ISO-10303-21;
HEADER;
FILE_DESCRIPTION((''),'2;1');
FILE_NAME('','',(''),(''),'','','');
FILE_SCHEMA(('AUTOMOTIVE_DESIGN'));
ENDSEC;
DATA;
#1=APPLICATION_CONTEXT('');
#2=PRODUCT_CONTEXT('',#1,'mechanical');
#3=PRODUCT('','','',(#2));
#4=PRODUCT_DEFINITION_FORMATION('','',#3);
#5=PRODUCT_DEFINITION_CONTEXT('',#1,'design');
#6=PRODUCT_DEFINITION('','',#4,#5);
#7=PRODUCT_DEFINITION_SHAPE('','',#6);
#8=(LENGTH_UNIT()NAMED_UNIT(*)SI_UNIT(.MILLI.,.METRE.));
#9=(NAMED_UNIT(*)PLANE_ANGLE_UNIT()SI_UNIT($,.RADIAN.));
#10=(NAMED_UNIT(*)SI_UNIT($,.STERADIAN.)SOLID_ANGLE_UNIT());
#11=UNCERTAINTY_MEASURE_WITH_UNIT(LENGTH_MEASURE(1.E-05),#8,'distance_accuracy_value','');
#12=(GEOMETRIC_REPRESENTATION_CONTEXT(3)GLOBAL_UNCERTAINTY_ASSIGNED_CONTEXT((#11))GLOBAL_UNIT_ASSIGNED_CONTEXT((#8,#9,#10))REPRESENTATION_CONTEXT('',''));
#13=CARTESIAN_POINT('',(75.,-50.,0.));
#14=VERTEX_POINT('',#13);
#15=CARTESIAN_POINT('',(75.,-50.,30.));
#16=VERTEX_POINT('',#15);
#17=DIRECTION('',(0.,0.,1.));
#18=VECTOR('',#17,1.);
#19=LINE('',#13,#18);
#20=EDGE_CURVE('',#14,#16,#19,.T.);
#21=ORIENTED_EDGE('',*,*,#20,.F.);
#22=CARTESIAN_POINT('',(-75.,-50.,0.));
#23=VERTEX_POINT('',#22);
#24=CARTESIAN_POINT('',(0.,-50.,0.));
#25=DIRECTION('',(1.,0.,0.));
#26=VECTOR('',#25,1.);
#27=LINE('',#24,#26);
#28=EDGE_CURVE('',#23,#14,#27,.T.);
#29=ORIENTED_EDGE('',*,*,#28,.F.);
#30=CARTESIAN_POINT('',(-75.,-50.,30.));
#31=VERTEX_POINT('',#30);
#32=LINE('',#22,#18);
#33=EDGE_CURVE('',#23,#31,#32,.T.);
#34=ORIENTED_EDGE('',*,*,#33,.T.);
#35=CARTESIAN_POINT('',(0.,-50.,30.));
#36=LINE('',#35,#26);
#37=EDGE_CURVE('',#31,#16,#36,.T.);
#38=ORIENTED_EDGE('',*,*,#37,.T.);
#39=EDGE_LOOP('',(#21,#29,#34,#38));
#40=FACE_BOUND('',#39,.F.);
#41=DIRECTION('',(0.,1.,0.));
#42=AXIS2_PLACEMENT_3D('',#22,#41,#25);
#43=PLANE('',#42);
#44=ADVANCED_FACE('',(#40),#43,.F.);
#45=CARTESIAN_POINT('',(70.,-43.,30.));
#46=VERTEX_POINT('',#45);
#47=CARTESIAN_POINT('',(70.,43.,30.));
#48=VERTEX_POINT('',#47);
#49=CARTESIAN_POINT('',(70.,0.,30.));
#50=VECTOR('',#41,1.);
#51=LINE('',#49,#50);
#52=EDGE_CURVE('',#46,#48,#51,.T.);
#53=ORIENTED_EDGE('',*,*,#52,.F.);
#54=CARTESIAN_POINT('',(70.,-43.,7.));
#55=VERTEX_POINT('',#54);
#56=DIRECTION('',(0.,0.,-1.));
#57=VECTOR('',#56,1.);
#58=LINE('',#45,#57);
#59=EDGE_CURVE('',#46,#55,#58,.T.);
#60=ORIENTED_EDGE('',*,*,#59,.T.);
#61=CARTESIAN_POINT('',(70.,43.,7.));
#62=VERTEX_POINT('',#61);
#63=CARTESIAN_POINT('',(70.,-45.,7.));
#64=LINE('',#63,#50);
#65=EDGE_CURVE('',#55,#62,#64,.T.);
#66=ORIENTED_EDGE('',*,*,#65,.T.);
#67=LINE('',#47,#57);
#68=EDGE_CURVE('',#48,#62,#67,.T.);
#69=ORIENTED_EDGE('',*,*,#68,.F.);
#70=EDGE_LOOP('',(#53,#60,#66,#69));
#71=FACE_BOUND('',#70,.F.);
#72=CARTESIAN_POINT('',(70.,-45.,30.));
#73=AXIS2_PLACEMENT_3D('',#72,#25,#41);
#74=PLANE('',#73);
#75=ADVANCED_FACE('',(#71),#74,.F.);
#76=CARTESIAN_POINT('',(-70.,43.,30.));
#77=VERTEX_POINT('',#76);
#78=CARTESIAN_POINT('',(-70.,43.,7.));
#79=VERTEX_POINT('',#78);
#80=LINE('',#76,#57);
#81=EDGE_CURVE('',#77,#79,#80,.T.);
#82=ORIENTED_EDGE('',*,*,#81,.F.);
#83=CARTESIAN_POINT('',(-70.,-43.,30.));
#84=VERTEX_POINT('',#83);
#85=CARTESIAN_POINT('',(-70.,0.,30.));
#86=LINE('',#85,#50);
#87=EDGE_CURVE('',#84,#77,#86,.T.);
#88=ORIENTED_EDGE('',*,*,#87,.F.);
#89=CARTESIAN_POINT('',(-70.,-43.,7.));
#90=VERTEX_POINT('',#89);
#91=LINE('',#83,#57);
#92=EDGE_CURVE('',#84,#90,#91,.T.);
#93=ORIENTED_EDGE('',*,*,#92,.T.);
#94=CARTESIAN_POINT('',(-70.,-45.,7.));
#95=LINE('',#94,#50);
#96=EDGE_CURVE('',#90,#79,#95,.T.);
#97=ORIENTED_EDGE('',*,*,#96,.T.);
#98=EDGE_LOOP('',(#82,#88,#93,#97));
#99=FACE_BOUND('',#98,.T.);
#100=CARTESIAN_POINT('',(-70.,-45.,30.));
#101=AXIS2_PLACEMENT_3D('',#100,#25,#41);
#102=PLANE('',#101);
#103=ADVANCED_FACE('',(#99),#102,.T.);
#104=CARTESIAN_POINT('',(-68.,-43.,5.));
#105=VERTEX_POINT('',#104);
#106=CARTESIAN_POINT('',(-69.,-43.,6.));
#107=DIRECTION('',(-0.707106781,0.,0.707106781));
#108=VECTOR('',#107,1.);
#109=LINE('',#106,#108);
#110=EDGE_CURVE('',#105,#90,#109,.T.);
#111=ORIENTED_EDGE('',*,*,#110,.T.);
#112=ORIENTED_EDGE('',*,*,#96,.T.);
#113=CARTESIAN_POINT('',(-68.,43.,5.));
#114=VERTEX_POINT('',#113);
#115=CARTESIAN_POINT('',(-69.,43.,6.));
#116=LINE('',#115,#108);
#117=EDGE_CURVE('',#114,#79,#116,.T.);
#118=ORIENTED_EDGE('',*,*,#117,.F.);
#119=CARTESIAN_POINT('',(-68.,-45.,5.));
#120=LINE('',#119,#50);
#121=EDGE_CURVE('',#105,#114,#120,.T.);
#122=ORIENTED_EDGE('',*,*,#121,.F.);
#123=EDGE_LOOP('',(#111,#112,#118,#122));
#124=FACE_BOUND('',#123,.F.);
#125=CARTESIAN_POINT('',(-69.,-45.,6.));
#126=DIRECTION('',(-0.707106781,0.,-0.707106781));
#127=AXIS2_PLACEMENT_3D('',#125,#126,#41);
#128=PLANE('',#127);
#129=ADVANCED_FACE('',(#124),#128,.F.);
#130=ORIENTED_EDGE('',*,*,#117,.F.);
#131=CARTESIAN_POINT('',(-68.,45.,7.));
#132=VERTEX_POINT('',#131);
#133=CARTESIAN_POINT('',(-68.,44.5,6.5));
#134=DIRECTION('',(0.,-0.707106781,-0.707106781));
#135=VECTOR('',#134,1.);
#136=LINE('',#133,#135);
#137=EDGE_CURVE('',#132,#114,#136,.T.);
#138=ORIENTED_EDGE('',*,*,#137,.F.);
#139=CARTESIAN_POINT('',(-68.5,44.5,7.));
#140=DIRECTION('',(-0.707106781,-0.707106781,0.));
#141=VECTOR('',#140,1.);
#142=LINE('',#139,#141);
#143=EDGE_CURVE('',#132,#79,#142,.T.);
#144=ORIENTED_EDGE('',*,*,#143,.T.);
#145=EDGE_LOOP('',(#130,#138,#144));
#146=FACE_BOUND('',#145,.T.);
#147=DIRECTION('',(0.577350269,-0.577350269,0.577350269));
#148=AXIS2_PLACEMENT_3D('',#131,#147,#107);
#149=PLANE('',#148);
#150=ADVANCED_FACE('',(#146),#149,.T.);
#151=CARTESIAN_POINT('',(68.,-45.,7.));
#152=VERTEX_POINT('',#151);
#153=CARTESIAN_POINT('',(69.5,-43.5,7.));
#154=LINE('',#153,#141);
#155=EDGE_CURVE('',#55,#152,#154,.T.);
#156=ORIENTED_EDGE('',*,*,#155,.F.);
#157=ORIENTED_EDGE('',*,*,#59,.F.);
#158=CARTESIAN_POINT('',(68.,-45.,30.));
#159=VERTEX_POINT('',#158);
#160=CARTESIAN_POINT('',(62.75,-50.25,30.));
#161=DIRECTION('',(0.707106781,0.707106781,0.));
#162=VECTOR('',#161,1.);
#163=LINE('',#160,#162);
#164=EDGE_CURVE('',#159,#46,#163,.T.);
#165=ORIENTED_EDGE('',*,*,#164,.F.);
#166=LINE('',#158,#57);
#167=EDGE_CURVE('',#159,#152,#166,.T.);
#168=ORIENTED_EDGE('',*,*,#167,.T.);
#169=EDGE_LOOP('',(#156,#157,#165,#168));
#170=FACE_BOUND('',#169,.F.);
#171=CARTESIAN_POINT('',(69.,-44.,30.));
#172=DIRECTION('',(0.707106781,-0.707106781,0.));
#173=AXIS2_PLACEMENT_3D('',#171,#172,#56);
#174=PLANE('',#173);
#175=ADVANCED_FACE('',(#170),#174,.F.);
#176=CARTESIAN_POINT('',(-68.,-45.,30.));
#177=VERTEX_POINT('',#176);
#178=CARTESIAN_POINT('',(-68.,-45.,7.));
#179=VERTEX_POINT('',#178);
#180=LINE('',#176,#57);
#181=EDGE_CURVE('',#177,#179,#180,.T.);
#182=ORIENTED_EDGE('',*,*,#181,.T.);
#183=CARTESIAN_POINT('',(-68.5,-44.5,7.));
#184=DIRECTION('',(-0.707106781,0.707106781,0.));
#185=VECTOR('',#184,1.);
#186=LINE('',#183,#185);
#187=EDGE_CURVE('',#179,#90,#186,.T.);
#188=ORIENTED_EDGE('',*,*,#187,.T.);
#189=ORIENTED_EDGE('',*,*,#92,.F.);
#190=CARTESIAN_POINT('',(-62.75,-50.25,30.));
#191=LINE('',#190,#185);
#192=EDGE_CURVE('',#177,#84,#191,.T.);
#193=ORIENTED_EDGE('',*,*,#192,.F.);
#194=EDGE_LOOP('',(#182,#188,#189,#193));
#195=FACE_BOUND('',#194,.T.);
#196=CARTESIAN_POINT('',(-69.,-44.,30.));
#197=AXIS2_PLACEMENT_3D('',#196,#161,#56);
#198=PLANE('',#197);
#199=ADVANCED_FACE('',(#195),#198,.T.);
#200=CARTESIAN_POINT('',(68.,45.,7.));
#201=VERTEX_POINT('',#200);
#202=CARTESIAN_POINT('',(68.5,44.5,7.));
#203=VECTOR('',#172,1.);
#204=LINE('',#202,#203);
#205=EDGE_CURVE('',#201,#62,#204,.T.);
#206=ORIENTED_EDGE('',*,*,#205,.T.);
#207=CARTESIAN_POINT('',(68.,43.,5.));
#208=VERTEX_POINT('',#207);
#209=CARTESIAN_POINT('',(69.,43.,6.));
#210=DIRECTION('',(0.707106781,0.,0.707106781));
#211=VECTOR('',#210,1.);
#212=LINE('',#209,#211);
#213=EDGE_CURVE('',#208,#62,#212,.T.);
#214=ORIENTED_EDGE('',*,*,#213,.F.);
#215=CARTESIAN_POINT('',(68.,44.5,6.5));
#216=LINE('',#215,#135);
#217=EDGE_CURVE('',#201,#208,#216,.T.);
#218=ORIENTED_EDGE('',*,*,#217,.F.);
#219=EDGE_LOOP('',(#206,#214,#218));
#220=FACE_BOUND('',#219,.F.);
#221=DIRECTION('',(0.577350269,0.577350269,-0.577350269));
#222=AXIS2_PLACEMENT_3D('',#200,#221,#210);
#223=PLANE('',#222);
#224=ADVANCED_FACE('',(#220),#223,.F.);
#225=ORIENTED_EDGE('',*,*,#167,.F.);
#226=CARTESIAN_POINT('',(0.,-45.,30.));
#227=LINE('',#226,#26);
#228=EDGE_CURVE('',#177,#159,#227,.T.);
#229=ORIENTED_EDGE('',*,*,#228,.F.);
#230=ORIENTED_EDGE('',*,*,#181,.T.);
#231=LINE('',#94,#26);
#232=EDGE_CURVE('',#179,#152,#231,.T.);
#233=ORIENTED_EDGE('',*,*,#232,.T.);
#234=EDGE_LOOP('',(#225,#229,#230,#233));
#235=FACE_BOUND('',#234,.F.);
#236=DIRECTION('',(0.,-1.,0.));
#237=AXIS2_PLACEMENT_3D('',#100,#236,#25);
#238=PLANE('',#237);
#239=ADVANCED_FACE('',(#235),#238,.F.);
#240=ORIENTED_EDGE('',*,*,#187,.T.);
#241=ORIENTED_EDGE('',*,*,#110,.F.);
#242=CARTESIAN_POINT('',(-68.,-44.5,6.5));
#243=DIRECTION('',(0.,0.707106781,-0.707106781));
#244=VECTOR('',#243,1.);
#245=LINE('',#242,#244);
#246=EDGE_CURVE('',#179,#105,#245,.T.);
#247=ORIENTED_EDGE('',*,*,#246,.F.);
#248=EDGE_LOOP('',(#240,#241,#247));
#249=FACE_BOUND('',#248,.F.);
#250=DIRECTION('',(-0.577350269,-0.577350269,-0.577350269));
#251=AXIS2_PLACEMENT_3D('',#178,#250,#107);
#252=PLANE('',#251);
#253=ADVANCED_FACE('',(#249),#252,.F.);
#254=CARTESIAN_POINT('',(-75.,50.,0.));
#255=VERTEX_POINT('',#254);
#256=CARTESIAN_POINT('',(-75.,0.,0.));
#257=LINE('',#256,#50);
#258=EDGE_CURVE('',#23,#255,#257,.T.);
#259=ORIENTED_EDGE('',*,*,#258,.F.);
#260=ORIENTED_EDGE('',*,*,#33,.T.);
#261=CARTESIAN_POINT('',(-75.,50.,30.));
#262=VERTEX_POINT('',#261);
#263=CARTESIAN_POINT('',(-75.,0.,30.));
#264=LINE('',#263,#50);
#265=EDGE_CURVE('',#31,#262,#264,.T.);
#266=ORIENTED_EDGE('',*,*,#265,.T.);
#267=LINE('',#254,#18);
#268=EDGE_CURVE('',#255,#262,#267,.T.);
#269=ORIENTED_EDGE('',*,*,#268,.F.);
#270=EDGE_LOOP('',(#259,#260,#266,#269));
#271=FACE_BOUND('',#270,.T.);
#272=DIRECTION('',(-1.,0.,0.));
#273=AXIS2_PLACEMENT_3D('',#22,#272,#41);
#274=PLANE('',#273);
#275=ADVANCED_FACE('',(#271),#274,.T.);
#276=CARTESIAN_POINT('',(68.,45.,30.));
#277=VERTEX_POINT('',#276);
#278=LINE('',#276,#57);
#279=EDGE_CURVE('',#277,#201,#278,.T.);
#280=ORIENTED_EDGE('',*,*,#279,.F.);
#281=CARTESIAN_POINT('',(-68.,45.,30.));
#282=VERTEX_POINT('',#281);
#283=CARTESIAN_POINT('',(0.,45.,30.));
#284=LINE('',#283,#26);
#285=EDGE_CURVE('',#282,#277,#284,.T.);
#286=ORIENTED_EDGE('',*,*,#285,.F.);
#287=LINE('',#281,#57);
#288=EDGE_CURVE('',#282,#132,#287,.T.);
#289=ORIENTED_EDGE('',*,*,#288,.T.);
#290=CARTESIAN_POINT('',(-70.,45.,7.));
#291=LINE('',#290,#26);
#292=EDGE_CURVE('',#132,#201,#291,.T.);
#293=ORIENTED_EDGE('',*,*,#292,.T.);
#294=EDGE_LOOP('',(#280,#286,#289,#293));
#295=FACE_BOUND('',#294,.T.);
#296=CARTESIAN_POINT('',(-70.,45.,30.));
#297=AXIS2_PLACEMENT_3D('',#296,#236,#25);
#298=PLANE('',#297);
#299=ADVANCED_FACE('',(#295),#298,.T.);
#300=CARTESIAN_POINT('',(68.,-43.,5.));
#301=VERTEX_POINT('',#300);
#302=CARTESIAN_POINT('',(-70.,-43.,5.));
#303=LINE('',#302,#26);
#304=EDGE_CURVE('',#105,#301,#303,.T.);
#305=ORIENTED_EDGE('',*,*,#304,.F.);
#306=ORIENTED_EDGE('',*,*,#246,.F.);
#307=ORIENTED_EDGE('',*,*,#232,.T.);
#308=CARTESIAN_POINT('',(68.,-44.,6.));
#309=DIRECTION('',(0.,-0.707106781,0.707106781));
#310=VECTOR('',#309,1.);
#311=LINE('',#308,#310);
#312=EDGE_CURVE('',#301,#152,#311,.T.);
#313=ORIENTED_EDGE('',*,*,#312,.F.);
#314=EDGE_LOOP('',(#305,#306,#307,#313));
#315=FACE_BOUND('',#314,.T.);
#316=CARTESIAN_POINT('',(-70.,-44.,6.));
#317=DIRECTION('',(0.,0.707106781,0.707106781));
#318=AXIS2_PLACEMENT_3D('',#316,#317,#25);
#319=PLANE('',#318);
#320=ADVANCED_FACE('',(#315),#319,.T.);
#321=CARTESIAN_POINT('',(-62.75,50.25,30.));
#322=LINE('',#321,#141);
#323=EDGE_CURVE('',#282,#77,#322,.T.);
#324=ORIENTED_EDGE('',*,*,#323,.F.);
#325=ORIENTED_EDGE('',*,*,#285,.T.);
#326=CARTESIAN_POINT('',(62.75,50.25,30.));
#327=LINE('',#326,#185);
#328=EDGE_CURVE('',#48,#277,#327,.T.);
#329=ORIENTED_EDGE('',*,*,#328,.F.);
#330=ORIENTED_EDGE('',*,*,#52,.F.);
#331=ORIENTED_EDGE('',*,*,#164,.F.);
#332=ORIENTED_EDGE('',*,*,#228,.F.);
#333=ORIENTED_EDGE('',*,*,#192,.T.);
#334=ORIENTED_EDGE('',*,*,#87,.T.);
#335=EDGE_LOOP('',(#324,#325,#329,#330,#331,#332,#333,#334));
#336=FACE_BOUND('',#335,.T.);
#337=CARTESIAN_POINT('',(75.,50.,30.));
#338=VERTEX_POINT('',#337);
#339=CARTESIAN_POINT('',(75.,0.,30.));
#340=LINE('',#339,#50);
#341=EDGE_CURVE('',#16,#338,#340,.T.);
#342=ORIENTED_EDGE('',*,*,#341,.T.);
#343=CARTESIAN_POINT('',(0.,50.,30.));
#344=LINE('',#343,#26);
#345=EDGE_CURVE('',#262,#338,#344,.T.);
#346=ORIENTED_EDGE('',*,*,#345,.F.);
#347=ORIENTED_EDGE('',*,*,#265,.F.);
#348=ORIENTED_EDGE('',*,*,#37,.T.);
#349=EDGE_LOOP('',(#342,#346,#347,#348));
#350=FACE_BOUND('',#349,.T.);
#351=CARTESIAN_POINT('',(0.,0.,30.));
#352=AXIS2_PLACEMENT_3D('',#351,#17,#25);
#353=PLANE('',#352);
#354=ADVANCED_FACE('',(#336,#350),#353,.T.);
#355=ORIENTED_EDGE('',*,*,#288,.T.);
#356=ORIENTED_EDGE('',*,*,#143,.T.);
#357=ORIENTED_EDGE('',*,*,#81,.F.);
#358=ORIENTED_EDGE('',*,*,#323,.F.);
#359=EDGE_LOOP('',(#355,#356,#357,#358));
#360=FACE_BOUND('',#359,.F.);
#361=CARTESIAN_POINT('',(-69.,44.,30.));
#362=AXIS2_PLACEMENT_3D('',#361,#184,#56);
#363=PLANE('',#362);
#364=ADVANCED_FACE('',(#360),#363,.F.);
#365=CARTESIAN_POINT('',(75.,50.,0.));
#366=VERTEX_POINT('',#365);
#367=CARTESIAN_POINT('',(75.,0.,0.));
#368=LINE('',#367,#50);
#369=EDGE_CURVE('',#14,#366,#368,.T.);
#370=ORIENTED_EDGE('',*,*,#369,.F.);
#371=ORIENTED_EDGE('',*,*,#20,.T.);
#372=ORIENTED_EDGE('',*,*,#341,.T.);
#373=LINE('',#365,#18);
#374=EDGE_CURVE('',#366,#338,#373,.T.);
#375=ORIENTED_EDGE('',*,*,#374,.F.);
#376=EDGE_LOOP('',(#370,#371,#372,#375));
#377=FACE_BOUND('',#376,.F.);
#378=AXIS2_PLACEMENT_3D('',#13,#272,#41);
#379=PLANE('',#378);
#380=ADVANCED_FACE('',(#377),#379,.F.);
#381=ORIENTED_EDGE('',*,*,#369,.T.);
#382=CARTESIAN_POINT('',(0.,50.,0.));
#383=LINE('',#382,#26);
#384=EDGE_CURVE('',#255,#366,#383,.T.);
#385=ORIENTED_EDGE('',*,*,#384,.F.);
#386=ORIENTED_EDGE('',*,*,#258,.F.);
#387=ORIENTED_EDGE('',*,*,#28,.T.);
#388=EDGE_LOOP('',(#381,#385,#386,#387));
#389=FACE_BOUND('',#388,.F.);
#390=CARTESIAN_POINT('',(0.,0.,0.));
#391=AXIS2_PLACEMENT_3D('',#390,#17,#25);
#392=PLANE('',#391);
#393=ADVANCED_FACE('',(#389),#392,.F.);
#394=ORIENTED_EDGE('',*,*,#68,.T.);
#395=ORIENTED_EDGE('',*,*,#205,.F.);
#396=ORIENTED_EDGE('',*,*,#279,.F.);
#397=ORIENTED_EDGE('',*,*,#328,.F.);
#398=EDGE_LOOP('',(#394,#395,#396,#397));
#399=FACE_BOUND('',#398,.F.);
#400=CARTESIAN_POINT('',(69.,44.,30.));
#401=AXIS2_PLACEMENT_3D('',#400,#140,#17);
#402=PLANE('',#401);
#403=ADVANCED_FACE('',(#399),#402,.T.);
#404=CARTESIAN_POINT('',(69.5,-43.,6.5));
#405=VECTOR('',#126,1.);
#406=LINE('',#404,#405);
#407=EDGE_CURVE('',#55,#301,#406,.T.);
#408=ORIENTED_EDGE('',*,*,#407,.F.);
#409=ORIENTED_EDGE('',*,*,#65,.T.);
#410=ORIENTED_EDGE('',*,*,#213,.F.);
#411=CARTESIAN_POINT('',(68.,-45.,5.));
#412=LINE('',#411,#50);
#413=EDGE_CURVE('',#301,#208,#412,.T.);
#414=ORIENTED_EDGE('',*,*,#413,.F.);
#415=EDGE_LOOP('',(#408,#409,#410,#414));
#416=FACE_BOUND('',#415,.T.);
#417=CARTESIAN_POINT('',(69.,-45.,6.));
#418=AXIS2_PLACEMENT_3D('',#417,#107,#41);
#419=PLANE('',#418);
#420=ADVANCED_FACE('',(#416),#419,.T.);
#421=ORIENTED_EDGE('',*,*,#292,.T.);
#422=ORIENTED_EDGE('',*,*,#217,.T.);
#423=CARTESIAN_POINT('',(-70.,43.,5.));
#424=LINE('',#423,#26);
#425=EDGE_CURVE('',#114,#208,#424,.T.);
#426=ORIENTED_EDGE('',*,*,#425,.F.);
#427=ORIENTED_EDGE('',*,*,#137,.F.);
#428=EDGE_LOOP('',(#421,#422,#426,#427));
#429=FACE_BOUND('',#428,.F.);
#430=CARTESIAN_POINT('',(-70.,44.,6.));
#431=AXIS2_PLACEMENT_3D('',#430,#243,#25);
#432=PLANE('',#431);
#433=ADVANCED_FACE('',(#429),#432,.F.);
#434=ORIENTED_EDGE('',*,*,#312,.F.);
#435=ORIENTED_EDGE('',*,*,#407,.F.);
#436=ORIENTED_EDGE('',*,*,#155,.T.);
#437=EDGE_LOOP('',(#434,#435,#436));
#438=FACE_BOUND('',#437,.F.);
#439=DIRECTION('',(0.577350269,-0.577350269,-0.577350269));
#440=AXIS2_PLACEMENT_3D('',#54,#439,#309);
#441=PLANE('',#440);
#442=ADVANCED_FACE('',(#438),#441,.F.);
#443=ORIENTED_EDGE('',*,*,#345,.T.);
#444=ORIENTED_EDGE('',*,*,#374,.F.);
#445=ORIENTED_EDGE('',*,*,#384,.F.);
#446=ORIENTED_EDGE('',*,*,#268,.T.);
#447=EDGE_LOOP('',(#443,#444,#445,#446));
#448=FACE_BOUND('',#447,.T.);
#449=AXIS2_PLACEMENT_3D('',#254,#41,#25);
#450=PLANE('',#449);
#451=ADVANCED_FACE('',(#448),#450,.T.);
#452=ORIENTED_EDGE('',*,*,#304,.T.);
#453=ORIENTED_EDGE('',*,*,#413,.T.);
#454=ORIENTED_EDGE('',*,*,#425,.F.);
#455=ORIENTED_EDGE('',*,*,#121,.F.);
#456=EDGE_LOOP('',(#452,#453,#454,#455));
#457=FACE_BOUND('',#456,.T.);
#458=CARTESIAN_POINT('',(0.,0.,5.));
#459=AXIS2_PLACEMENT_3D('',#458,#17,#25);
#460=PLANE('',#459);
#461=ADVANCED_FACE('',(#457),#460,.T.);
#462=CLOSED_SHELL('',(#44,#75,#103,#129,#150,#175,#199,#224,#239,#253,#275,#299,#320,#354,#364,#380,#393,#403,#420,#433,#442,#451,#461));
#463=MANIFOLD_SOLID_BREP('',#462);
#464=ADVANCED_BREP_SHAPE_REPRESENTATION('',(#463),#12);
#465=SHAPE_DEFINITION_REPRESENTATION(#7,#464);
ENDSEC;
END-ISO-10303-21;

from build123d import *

# Parameters (mm, degrees)
F0_W     = 150
F0_H     = 100
F1_DEPTH = 30
F2_W     = 140
F2_H     = 90
F3_DEPTH = 25
F4_SIZE  = 2


with BuildPart() as f1:
    # F0 (on Top) → F1 (new body)
    with BuildSketch(Plane.XY):
        Rectangle(F0_W, F0_H)
    extrude(amount=F1_DEPTH)

    # F2 (on face) → F3 (cut)
    with BuildSketch(Plane.XY.offset(30)):
        Rectangle(F2_W, F2_H)
    extrude(amount=-F3_DEPTH, mode=Mode.SUBTRACT)

    # F4
    f4_edges = [f1.edges().sort_by_distance(p)[0] for p in [
        (-70, 0, 5),
        (0, -45, 5),
        (70, 0, 5),
        (0, 45, 5),
        (-70, 45, 17.5),
        (70, 45, 17.5),
        (70, -45, 17.5),
        (-70, -45, 17.5),
    ]]
    chamfer(f4_edges, length=F4_SIZE)


solid = f1.part
